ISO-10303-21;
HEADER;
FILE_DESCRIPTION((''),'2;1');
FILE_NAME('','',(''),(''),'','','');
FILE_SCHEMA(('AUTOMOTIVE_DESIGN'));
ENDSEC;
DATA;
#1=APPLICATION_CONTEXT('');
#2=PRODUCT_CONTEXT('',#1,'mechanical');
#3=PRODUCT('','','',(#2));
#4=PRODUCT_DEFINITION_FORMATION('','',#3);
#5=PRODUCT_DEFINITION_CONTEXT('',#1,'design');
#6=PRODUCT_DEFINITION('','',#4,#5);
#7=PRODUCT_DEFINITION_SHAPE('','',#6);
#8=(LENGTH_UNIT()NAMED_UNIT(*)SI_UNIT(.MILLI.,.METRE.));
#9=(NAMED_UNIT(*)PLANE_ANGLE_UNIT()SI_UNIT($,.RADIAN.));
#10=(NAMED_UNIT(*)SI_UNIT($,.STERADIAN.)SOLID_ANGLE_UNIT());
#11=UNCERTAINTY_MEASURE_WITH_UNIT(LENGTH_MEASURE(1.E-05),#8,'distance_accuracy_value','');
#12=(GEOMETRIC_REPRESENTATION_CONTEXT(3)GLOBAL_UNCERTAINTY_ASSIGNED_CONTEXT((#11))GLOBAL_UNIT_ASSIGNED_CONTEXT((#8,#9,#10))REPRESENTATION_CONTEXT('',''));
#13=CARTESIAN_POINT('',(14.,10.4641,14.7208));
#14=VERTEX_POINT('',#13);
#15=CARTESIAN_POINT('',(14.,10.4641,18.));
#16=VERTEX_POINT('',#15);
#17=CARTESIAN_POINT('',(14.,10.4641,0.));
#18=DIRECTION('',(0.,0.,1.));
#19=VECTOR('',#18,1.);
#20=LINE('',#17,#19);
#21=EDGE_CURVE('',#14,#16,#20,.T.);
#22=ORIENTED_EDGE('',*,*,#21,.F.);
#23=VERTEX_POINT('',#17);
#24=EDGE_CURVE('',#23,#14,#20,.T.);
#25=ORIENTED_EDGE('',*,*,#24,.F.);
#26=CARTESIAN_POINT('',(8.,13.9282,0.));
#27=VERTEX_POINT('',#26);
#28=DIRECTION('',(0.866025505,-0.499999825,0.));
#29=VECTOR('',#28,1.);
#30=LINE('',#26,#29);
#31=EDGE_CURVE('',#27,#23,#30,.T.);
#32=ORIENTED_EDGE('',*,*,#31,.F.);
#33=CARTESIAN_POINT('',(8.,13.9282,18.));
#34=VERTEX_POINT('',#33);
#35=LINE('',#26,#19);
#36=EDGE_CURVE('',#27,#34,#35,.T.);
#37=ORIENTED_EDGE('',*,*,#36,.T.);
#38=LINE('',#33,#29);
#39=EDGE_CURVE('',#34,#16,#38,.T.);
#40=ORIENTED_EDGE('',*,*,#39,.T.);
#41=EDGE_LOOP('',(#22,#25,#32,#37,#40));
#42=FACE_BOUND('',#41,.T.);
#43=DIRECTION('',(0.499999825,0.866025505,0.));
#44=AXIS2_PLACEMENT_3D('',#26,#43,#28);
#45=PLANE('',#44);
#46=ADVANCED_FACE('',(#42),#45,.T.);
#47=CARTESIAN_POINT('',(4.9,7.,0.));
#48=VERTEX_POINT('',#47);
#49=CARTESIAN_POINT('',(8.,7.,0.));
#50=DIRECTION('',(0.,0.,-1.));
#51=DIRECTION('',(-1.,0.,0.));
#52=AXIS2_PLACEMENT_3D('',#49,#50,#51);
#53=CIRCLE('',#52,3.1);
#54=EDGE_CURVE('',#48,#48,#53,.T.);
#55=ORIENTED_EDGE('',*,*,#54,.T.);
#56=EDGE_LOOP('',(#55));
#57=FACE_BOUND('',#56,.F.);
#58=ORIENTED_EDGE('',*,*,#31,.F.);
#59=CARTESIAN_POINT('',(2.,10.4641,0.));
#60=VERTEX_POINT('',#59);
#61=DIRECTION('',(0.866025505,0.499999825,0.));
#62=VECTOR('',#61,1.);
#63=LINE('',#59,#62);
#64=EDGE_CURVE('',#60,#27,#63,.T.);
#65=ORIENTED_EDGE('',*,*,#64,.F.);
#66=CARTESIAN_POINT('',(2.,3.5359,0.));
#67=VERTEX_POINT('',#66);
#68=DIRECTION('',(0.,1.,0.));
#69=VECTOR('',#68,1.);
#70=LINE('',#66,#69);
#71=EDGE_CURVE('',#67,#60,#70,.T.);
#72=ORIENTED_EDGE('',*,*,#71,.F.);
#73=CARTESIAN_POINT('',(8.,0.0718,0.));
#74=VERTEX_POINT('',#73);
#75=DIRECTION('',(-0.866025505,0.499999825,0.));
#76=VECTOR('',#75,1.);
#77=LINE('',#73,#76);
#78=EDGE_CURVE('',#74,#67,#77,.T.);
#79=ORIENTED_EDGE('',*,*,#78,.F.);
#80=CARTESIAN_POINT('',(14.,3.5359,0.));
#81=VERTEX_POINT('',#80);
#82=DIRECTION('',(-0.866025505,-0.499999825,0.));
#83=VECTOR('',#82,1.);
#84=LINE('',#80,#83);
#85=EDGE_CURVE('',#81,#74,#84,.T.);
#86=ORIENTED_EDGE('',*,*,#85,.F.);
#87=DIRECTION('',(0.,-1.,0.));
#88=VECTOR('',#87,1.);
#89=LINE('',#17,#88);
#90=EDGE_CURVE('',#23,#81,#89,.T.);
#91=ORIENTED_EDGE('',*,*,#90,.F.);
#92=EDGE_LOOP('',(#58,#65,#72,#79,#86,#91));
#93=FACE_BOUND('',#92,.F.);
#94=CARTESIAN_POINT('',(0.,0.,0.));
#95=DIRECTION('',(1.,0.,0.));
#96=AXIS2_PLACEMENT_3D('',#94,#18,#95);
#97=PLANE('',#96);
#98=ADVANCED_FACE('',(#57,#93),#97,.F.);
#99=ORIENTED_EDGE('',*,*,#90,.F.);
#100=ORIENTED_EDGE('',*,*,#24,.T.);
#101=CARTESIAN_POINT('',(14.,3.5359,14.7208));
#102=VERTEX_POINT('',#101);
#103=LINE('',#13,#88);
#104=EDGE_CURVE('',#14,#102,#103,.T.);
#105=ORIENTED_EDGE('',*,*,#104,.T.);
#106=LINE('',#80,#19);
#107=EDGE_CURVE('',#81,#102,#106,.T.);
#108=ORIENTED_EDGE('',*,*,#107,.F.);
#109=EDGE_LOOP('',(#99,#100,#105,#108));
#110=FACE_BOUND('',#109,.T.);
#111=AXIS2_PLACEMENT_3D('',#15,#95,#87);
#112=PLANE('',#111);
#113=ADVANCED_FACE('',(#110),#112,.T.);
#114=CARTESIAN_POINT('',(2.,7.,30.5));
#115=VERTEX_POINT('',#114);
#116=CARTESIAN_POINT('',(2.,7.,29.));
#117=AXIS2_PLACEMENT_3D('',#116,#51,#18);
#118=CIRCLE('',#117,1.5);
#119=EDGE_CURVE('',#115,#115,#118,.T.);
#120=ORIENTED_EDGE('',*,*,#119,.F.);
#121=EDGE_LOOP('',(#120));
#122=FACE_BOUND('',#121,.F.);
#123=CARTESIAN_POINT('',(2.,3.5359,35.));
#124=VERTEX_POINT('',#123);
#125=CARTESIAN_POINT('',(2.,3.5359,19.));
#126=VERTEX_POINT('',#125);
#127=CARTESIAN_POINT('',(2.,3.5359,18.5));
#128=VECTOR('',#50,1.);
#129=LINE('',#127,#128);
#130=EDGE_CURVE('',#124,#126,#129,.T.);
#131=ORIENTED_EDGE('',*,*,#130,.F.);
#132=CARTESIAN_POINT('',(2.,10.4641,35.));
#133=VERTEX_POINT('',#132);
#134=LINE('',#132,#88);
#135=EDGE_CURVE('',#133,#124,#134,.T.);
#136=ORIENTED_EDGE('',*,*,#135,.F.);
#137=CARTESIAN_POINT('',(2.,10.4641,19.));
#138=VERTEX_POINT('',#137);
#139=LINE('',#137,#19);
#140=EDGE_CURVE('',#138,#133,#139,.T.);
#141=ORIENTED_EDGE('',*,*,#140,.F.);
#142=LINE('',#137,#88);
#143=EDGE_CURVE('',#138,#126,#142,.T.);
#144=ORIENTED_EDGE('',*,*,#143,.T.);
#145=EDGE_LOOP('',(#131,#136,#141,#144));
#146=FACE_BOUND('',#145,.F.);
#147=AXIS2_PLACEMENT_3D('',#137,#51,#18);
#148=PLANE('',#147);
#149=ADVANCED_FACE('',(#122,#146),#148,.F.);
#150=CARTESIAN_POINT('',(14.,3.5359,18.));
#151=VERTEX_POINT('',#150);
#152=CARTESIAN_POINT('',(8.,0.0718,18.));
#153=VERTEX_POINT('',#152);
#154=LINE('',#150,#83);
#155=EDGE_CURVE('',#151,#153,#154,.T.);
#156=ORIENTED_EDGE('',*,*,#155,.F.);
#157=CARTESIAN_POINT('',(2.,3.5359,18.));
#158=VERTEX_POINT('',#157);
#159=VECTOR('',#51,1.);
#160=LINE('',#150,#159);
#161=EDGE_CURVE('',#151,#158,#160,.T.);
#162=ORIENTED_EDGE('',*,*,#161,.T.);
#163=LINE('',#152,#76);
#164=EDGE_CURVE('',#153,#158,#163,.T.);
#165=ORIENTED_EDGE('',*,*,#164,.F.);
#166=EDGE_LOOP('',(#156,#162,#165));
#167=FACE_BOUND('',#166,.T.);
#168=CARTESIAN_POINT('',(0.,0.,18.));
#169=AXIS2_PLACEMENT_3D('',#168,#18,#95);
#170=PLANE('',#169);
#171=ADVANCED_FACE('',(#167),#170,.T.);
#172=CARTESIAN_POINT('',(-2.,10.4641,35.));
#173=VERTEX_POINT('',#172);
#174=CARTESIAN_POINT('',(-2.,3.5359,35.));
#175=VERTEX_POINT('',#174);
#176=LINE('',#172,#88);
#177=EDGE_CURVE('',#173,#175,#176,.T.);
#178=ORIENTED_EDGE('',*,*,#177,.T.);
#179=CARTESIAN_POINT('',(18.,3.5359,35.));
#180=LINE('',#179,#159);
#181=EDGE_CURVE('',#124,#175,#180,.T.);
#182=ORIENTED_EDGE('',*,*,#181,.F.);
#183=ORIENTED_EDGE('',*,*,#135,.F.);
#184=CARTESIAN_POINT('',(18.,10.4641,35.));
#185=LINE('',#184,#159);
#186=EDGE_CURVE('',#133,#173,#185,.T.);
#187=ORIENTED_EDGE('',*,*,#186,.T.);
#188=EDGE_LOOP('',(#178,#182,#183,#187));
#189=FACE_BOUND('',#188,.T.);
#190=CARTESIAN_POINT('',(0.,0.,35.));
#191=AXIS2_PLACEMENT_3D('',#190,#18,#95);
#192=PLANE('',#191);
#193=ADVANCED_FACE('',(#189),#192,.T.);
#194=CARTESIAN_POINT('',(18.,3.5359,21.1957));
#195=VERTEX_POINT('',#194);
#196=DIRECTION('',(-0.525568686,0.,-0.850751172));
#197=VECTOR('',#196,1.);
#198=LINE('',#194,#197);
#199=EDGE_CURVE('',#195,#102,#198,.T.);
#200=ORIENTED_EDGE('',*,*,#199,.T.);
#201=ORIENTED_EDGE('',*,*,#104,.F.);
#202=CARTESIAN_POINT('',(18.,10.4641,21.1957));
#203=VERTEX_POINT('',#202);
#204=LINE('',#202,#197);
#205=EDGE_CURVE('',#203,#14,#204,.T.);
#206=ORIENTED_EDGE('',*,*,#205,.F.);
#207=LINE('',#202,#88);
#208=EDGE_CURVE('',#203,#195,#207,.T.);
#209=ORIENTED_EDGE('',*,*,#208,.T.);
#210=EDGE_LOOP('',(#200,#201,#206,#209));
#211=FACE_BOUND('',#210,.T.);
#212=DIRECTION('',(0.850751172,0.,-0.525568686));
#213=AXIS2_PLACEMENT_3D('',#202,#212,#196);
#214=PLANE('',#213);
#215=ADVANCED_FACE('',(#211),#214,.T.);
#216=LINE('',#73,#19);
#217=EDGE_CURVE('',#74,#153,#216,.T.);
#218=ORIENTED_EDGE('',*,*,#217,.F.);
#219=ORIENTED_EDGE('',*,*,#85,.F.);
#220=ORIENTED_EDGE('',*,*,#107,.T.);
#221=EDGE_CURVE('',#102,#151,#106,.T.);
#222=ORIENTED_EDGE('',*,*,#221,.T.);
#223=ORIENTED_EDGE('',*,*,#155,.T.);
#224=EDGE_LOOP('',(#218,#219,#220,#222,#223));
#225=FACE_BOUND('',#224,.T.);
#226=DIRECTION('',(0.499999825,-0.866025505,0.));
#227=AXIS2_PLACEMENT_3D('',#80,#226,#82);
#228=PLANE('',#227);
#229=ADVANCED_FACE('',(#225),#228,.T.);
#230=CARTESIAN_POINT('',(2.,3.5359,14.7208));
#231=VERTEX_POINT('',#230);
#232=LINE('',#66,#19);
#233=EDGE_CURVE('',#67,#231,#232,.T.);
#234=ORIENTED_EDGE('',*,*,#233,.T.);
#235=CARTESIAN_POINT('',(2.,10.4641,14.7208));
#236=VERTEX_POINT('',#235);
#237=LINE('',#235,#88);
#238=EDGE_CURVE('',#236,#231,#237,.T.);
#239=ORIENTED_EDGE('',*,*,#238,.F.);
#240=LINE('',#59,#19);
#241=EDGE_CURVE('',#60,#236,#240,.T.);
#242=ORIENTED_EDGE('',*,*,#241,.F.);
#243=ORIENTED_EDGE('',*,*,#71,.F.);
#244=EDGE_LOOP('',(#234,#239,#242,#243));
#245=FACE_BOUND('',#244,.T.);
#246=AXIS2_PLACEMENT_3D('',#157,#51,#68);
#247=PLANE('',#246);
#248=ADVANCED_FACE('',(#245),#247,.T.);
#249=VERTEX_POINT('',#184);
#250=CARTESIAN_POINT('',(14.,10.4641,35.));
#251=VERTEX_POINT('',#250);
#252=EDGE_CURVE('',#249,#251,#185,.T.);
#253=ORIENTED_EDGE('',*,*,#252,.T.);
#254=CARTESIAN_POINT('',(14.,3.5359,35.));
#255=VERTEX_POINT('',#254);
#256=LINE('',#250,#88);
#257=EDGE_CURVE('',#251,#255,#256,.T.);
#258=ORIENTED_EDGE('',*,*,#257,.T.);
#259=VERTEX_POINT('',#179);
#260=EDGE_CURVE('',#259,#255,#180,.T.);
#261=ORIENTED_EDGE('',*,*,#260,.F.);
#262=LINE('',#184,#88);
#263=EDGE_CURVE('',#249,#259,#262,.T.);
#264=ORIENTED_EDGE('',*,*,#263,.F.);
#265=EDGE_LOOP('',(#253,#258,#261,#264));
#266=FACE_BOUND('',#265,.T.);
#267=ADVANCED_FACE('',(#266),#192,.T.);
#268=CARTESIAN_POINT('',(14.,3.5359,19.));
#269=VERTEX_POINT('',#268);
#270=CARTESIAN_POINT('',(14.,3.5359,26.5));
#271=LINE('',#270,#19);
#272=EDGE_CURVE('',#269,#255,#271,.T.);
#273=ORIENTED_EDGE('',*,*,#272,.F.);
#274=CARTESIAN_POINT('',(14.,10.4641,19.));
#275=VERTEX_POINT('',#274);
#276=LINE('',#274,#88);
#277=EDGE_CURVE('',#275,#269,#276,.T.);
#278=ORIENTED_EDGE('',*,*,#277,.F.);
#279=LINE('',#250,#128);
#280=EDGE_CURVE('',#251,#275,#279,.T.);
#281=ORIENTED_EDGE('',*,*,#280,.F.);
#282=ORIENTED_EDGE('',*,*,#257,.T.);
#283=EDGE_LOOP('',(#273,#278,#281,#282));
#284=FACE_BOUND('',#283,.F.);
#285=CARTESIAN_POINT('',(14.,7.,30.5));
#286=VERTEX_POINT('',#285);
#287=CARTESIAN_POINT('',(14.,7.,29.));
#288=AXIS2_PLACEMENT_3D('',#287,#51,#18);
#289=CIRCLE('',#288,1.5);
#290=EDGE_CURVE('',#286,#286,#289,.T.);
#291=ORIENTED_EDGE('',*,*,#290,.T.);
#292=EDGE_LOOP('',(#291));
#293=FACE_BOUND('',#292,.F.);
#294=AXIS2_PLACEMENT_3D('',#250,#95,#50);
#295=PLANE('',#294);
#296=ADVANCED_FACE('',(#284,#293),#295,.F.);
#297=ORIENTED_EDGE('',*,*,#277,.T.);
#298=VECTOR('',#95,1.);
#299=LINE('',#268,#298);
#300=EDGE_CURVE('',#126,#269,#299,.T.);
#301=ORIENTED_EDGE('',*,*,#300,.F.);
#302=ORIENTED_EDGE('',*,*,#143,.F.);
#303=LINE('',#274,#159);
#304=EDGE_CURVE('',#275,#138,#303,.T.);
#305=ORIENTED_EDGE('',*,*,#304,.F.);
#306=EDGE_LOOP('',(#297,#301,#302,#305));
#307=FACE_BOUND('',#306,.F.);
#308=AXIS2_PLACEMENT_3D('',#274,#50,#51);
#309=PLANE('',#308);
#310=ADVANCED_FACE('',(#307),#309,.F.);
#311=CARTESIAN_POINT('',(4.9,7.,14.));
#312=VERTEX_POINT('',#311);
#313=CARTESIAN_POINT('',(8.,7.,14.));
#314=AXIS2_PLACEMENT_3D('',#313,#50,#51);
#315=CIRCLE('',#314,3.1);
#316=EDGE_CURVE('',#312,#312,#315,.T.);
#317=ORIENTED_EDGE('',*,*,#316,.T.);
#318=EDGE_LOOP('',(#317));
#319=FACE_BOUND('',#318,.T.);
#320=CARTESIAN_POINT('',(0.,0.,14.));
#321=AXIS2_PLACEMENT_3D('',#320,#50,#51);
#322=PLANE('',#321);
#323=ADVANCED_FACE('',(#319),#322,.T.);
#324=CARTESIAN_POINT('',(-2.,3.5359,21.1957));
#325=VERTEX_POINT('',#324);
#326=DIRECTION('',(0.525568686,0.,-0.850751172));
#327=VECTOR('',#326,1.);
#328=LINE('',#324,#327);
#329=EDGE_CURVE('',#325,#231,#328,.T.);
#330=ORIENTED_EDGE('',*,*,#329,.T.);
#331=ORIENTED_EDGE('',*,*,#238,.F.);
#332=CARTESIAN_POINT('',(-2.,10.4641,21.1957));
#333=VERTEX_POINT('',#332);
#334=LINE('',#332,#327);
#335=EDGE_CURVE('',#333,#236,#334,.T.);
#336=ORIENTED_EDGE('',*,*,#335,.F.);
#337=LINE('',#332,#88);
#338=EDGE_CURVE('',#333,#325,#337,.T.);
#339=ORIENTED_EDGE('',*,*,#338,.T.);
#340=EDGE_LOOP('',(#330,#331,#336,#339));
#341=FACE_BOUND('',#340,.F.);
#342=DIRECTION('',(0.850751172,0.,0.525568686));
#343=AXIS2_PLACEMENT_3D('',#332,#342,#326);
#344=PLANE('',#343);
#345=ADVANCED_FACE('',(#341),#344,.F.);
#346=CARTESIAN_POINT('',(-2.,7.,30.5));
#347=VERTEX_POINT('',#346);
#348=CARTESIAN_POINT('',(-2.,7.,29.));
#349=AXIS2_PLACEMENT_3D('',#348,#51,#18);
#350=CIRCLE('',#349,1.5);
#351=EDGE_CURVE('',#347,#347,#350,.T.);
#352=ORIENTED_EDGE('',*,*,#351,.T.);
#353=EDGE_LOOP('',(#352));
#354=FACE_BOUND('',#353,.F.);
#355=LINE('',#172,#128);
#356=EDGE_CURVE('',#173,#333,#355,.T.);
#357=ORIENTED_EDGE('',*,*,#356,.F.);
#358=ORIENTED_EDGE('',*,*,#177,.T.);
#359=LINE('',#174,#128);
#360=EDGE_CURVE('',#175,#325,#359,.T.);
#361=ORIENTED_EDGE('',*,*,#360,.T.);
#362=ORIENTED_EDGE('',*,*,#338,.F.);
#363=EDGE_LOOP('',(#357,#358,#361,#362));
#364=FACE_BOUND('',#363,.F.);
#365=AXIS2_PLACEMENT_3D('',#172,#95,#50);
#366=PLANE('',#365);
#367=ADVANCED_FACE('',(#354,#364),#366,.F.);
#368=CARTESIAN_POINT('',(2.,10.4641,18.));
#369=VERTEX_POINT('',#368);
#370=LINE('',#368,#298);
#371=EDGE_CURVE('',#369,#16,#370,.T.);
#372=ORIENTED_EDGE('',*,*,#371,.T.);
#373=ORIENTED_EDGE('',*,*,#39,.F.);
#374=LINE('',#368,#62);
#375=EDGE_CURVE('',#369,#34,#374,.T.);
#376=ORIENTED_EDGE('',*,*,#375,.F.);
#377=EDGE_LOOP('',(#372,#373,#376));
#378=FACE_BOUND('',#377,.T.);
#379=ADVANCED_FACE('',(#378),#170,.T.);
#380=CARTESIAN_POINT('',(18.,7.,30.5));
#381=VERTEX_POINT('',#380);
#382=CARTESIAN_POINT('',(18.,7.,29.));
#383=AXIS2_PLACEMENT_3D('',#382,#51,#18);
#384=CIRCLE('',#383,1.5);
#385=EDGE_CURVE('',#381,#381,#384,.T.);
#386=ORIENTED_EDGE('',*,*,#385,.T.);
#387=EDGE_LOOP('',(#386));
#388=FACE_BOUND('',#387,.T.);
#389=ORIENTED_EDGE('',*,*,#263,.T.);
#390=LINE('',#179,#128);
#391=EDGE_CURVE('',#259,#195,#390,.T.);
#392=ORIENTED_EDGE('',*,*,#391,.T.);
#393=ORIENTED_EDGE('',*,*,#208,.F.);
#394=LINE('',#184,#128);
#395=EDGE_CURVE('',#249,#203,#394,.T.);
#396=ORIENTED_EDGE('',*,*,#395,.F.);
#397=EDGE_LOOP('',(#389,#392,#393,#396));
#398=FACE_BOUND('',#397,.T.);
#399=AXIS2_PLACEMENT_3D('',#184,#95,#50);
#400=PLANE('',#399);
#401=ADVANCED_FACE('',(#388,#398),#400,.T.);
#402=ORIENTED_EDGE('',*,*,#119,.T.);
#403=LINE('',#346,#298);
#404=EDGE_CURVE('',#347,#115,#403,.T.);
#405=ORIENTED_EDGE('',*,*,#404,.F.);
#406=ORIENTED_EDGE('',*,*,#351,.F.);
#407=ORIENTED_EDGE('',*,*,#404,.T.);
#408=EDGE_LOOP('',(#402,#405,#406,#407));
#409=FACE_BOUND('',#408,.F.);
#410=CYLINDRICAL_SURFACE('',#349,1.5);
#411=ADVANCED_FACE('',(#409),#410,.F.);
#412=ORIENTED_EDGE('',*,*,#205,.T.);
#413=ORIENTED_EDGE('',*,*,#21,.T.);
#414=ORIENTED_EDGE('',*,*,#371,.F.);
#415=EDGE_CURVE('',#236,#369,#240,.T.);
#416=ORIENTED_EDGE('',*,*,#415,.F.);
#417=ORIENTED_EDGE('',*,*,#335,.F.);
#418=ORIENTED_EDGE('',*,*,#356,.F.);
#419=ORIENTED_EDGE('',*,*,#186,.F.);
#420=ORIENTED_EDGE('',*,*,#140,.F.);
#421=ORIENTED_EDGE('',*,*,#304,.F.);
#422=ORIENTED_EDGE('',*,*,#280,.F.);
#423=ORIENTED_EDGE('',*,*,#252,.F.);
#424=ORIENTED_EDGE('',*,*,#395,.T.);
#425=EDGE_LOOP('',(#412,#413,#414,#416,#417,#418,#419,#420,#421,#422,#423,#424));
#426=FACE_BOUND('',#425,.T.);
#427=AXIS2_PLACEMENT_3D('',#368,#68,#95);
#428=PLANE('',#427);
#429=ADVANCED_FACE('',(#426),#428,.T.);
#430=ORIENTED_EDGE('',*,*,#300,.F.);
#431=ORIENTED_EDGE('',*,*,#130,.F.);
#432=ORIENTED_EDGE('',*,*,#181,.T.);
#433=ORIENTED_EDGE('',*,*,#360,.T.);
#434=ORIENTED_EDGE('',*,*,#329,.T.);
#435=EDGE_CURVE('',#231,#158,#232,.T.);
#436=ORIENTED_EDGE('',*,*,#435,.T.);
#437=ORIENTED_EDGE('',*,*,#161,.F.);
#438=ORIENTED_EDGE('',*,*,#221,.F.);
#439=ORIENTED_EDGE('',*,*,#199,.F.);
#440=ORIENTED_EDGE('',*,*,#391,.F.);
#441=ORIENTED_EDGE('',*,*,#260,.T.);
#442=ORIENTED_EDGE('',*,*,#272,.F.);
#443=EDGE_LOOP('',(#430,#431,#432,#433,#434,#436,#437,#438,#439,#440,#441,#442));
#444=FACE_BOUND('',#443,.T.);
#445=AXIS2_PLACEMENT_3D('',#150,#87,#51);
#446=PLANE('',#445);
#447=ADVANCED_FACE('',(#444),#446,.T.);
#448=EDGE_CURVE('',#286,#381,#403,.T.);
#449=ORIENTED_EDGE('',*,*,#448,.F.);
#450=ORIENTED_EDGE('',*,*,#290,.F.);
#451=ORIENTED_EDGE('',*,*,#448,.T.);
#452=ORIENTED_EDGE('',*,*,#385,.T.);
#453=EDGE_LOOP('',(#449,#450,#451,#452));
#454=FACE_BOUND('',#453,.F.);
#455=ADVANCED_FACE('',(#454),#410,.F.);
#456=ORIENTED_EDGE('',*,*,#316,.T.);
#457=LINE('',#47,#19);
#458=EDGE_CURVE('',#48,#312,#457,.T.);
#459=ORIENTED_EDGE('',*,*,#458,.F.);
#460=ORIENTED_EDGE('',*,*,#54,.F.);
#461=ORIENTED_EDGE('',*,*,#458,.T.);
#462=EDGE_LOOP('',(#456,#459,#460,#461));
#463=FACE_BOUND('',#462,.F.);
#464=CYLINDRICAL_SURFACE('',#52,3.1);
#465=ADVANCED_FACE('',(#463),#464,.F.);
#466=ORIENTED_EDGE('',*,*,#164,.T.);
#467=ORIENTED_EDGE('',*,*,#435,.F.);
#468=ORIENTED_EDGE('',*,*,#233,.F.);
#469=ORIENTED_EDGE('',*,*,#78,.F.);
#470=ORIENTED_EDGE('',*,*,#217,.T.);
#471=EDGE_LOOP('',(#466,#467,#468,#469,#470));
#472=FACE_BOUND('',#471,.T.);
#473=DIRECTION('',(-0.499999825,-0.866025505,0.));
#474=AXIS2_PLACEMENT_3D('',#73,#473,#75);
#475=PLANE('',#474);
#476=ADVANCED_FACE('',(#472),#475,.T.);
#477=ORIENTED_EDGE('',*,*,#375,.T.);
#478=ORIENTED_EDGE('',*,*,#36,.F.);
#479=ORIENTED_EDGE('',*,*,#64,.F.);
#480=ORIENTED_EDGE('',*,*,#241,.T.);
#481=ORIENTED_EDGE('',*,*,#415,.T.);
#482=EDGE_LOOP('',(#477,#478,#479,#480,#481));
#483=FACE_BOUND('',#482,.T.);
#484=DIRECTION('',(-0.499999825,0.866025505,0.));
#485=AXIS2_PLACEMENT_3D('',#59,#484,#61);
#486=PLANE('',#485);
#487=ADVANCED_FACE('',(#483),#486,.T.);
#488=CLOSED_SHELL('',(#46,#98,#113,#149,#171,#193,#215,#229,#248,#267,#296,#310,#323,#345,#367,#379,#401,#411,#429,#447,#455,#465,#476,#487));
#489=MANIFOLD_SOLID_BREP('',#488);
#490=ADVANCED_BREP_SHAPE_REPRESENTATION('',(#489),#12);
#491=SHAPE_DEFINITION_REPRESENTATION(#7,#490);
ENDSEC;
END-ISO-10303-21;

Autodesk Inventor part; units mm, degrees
ref_plane "YZ Plane" through (0, 0, 0) normal (1, 0, 0) x (0, 1, 0)
ref_plane "XZ Plane" through (0, 0, 0) normal (0, 1, 0) x (-1, 0, 0)
ref_plane "XY Plane" through (0, 0, 0) normal (0, 0, 1) x (1, 0, 0)
sketch "Sketch1" plane through (0, 0, 0) normal (0, 0, 1) x (1, 0, 0)
  line L0 (8, 0.0718) -> (2, 3.5359)
  line L1 (2, 3.5359) -> (2, 10.4641)
  line L2 (2, 10.4641) -> (8, 13.9282)
  line L3 (8, 13.9282) -> (14, 10.4641)
  line L4 (14, 10.4641) -> (14, 3.5359)
  line L5 (14, 3.5359) -> (8, 0.0718)
  point P0 (0, 0)
  point P1 (8, 7)
  dimension "d1" = 12
extrude "Extrusion1" add sketch "Sketch1" along normal blind 18
sketch "Sketch2" plane through (0, 0, 0) normal (0, 0, -1) x (-1, 0, 0)
  circle A0 centre (-8, 7) radius 3.1
  point P0 (0, 0)
  dimension "d5" = 6.2
extrude "Extrusion2" cut sketch "Sketch2" against normal blind 14
sketch "Sketch3" plane through (0, 0, 18) normal (0, 0, 1) x (1, 0, 0)
  line L0 (14, 3.5359) -> (8, 0.0718) projected
  line L1 (14, 3.5359) -> (2, 3.5359)
  line L2 (2, 3.5359) -> (2, 10.4641)
  line L3 (2, 10.4641) -> (14, 10.4641)
  line L4 (14, 10.4641) -> (14, 3.5359)
  point P0 (0, 0)
  dimension "d12" = 6.9282
extrude "Extrusion3" add sketch "Sketch3" along normal blind 17
sketch "Sketch4" plane through (2, 10.4641, 18) normal (0, 1, 0) x (1, 0, 0)
  line L0 (12, 0) -> (12, -17) projected
  line L1 (12, -17) -> (16, -17)
  line L2 (0, 0) -> (0, -17) projected
  line L3 (12, 0) -> (12, -17)
  line L4 (0, -17) -> (-4, -17)
  line L5 (0, 0) -> (0, -17)
  line L6 (16, -17) -> (16, -3.1957)
  line L7 (-4, -3.1957) -> (0, 3.2792)
  line L8 (16, -3.1957) -> (12, 3.2792)
  line L9 (12, 18) -> (12, 0) projected
  line L10 (0, 0) -> (0, 3.2792)
  line L11 (12, 0) -> (12, 3)
  line L12 (-4, -17) -> (-4, -3.1957)
  point P0 (-2, 18)
  dimension "d10" = 4
  dimension "d11" = 4
extrude "Extrusion4" add sketch "Sketch4" against normal blind 6.9282
sketch "Sketch5" plane through (2, 10.4641, 18) normal (0, 1, 0) x (1, 0, 0)
  line L0 (16, -17) -> (16, -17) projected
  line L1 (0, -17) -> (12, -17)
  line L2 (12, -17) -> (12, -1)
  line L3 (12, -1) -> (0, -1)
  line L4 (0, -1) -> (0, -17)
  point P0 (-2, 18)
  point P1 (-4, -17)
extrude "Extrusion5" cut sketch "Sketch5" against normal through all
sketch "Sketch6" plane through (-2, 10.4641, 21.1957) normal (-1, 0, 0) x (0, 0, 1)
  line L0 (13.8043, 0) -> (13.8043, -6.9282) projected
  circle A0 centre (7.8043, -3.4641) radius 1.5
  point P0 (-21.1957, -10.4641)
  dimension "d18" = 3
extrude "Extrusion6" cut sketch "Sketch6" against normal through all
properties part number "supportrodv1.2"
